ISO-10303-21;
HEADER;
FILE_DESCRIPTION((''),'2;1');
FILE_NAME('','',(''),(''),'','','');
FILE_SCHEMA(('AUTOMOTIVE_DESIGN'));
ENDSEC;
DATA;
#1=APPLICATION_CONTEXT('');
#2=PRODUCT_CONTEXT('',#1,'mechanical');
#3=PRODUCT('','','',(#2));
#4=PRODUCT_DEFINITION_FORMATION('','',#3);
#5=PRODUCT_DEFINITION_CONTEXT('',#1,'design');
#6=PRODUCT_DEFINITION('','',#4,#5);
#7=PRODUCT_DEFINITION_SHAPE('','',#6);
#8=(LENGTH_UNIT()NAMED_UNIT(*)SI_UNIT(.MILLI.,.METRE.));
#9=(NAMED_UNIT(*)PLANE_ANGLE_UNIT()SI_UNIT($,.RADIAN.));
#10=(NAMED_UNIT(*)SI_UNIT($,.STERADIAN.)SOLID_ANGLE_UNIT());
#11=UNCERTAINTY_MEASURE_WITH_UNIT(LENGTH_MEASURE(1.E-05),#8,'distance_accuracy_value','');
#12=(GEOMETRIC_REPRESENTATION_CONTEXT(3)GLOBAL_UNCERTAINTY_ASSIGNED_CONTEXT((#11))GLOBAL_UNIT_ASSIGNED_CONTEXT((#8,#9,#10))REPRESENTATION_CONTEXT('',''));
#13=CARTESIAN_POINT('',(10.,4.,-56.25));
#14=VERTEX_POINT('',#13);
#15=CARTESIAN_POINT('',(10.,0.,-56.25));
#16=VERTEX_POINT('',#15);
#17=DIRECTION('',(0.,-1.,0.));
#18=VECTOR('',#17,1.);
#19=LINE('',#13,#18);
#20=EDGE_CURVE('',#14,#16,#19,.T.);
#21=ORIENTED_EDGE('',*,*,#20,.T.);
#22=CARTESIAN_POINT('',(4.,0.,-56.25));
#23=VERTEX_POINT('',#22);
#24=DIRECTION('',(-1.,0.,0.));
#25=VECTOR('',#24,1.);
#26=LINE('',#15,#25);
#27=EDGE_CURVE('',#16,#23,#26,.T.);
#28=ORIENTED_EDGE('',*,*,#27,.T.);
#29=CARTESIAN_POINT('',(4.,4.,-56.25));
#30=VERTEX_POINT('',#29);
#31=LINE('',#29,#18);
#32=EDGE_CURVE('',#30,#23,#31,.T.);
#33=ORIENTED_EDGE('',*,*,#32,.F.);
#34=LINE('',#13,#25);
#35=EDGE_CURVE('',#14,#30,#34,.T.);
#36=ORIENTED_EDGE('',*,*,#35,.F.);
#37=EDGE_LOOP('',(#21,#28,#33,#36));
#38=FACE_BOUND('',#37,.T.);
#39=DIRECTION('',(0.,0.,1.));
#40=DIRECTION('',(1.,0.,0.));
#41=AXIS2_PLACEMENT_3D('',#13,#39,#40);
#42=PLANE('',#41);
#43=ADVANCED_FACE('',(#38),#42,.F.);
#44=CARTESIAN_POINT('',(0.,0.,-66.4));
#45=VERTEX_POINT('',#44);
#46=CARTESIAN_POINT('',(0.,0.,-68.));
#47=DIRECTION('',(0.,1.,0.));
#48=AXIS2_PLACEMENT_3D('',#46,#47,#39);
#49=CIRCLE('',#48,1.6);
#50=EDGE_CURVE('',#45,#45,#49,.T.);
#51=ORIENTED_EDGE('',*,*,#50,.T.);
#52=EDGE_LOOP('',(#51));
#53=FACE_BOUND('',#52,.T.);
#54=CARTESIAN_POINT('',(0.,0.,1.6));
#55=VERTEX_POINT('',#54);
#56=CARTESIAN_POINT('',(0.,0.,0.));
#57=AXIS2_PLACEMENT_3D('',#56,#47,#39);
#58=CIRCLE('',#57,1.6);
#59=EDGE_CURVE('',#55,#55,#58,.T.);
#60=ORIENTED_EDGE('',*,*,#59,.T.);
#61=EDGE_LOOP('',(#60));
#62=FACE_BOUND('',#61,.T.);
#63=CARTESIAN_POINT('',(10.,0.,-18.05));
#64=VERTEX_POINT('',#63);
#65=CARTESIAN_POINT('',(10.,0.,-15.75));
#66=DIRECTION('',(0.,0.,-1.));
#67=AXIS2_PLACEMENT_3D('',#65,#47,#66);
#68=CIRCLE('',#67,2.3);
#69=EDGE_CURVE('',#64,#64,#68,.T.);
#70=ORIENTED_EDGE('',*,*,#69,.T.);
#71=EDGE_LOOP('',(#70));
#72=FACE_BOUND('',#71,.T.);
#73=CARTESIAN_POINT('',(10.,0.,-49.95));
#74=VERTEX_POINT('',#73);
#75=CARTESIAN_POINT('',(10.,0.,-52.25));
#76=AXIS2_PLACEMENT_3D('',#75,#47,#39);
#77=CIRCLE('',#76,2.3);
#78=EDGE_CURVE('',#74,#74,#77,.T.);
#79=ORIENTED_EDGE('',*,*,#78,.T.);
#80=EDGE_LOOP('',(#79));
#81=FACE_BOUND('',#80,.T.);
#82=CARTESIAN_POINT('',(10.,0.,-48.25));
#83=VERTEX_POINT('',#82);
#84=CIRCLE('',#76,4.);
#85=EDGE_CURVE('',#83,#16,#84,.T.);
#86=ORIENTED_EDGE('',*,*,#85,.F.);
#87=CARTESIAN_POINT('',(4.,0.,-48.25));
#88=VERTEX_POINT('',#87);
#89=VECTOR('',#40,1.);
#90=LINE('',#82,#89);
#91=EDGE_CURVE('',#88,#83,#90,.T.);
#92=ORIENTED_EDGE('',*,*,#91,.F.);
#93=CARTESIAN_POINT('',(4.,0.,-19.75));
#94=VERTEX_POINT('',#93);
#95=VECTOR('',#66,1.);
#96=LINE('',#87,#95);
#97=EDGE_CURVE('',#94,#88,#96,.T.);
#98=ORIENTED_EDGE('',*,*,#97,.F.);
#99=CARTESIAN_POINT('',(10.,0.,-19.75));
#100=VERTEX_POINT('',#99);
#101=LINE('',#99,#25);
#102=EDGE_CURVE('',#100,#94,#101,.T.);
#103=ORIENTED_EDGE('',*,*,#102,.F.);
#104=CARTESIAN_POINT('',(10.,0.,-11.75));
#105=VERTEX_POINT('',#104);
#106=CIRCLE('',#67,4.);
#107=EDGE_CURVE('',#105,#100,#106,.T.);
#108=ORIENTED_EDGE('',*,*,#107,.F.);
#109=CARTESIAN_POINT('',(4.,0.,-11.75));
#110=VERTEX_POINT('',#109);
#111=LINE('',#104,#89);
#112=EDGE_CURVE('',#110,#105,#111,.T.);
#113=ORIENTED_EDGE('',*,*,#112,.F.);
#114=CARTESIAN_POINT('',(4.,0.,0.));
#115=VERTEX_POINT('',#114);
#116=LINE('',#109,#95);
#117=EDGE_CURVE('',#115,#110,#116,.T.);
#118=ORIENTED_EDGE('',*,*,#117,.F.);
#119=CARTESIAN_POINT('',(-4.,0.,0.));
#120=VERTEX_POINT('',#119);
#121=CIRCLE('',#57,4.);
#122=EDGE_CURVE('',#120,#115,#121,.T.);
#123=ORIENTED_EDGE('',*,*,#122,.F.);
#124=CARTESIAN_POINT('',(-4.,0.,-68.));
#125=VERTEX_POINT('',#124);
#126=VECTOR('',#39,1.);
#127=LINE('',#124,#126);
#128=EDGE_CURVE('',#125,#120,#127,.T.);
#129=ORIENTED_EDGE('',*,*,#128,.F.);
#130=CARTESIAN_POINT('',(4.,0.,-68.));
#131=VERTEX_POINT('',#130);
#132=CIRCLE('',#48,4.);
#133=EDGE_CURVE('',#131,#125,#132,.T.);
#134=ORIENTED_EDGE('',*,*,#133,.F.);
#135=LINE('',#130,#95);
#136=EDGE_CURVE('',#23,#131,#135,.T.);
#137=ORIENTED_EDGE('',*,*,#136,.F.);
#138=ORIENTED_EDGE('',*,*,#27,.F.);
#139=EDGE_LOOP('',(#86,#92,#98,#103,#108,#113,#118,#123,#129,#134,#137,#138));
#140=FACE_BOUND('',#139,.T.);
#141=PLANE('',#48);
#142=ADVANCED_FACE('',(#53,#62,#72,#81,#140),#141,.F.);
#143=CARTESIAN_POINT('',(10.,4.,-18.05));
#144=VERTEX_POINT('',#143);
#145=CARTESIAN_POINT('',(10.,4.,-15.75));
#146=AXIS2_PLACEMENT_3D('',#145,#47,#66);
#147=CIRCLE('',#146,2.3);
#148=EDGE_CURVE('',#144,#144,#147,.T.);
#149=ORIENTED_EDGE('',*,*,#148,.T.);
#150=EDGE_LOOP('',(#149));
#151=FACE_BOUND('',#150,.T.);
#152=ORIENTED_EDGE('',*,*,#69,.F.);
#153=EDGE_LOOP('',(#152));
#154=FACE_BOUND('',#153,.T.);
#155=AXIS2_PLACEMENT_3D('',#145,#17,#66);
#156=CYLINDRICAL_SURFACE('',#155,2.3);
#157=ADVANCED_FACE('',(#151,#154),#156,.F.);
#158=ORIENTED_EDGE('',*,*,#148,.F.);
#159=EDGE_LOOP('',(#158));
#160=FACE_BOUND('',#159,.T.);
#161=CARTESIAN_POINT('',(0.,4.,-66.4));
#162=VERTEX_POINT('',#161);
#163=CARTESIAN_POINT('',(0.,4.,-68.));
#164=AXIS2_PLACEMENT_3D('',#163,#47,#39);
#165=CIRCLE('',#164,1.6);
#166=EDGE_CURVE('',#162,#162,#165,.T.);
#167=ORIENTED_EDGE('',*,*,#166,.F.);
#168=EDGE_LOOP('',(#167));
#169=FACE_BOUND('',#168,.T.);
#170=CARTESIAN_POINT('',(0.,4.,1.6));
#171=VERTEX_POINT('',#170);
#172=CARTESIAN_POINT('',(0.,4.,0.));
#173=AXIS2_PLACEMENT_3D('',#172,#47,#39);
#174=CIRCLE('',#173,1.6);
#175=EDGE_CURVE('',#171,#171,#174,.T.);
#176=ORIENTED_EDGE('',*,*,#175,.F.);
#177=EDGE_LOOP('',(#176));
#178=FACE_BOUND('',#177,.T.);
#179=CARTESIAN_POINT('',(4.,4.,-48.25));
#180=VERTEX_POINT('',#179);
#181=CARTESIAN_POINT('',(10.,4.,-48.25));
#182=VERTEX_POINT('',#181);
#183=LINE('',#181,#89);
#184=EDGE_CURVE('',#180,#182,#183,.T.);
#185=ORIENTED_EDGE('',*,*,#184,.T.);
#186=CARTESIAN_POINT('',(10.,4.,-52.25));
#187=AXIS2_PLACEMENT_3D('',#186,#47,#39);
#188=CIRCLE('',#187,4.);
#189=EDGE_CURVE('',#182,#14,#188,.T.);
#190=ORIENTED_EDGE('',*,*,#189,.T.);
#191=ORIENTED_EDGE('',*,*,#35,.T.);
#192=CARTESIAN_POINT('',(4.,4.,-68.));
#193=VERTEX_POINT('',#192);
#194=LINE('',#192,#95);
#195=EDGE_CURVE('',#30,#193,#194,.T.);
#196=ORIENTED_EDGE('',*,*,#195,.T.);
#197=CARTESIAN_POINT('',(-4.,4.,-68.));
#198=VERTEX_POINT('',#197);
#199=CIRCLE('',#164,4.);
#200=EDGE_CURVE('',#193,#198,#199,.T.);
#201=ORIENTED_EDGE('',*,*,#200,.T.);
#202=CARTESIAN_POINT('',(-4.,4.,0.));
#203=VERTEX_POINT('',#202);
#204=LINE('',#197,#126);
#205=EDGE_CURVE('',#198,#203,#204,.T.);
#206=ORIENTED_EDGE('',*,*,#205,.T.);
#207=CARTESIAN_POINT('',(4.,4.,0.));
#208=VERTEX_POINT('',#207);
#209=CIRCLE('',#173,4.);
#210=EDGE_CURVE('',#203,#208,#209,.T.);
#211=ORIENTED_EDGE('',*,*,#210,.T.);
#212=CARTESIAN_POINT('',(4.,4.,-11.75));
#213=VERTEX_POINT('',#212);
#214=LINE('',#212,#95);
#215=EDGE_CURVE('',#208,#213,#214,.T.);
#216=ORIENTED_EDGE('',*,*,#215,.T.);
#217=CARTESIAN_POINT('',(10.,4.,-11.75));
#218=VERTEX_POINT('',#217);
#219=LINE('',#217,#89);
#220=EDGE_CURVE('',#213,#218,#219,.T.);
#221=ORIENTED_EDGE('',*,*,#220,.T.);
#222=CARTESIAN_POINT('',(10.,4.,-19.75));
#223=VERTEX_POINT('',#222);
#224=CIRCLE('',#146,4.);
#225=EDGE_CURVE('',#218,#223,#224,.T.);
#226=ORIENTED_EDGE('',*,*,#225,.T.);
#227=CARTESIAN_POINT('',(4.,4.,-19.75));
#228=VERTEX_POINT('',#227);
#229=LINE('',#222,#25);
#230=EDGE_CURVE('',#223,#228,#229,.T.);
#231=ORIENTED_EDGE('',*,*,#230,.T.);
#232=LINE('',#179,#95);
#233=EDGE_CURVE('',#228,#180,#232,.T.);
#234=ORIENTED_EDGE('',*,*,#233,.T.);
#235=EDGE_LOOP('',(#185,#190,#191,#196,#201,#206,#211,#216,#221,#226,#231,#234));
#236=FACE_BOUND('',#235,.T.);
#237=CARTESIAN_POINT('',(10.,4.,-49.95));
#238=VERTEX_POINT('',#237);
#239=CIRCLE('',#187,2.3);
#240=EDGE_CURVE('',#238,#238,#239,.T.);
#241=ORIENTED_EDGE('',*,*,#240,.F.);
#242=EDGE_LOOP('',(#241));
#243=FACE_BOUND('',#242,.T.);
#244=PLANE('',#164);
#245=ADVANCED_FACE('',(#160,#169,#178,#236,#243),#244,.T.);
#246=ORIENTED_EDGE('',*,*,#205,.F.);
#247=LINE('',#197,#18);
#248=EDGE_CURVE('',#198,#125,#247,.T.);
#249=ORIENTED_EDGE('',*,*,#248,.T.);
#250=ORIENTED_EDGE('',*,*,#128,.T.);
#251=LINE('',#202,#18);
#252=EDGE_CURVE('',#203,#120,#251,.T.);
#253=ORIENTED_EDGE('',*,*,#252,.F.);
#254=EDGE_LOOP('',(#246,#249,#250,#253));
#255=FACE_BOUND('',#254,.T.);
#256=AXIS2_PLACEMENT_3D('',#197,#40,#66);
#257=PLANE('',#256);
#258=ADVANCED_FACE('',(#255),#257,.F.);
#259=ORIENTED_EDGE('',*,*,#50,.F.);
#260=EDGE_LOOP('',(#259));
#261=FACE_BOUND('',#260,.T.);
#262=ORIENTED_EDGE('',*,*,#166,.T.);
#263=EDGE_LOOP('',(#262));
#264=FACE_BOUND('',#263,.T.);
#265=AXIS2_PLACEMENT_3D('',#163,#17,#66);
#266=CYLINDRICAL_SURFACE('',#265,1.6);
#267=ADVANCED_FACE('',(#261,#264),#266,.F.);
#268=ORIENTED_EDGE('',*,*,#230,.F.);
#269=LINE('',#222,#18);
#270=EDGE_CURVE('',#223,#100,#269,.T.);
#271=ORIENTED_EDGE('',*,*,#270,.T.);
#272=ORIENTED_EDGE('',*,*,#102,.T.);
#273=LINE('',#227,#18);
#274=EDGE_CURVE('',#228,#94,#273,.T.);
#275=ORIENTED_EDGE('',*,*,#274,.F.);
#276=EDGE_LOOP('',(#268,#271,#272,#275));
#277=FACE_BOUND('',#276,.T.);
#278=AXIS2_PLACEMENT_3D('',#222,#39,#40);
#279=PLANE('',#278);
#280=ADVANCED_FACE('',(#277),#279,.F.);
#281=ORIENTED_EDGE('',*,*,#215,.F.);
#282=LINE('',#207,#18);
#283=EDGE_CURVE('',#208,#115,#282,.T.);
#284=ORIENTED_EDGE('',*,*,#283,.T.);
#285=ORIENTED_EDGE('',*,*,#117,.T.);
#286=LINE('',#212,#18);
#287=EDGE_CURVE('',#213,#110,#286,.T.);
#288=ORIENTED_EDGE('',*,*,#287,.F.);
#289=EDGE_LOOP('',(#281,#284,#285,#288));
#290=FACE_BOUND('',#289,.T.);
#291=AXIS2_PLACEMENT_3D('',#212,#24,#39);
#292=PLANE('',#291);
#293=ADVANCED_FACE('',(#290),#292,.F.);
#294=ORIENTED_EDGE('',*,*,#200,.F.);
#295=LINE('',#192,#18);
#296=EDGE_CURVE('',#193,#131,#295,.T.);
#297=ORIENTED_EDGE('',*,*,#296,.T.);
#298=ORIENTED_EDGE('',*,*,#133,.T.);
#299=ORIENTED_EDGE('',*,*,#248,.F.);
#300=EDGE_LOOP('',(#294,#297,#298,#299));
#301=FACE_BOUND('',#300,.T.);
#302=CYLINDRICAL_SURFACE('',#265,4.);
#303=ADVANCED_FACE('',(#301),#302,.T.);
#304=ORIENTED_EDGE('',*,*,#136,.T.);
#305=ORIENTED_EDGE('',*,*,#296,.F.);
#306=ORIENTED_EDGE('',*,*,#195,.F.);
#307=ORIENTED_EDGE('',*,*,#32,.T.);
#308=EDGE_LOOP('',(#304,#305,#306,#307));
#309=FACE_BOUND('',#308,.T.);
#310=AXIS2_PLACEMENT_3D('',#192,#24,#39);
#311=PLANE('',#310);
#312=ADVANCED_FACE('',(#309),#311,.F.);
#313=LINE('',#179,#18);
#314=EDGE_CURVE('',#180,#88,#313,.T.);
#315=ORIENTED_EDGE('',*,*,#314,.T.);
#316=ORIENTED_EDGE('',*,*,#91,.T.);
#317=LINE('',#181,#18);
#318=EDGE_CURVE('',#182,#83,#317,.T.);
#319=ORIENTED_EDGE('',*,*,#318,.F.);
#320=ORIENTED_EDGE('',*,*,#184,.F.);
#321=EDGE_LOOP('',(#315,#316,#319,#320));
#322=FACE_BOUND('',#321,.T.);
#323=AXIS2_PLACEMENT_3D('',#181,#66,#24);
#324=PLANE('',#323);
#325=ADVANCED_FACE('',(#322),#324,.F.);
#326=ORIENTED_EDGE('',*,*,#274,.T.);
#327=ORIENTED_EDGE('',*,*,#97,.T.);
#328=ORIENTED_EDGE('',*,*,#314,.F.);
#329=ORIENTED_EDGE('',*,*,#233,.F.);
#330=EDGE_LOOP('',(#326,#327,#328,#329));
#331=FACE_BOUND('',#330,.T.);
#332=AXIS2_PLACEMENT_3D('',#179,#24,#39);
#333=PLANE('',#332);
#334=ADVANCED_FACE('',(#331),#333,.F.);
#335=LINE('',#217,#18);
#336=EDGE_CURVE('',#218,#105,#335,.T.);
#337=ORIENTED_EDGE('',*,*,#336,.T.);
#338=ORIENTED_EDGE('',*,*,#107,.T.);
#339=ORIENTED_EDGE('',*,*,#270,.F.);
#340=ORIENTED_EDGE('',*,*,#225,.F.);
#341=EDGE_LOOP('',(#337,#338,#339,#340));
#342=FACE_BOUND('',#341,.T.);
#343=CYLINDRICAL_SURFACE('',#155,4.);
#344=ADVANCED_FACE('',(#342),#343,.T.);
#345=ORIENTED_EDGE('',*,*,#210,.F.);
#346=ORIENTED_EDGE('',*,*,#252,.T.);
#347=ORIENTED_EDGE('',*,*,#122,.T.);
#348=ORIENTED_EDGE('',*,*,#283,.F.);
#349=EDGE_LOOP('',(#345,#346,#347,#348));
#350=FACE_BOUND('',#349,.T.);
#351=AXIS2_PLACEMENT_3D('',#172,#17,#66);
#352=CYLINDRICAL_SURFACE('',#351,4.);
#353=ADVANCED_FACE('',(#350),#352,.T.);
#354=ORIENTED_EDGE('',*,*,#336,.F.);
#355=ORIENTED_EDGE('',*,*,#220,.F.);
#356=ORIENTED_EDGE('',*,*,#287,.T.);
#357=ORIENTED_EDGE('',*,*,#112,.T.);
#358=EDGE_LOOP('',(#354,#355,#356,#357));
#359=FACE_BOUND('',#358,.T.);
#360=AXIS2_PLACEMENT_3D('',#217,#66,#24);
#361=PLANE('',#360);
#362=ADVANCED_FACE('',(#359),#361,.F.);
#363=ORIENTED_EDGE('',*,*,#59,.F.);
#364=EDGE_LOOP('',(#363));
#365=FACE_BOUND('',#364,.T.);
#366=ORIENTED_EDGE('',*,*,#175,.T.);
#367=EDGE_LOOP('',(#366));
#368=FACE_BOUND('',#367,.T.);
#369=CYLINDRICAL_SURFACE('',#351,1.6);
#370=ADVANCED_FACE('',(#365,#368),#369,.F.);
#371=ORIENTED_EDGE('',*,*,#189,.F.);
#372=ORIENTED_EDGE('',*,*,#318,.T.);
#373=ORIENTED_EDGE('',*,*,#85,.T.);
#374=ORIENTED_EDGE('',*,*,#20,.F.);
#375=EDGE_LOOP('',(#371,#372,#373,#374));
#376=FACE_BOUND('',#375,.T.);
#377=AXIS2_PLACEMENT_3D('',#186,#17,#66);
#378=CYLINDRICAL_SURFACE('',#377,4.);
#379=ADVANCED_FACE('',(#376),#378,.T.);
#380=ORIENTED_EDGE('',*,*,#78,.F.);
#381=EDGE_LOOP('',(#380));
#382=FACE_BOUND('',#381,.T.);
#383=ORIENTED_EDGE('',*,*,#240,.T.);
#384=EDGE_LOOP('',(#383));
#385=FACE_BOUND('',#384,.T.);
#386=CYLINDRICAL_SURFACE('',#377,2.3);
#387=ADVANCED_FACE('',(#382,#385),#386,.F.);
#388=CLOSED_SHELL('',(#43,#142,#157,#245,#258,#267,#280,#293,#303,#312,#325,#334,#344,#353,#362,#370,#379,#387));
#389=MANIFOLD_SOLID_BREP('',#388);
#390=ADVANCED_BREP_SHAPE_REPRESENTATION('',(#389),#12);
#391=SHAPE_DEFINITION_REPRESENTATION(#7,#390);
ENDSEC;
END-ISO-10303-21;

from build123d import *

# Parameters (mm, degrees)
SKETCH1_R           = 1.6
SKETCH1_R_2         = 2.3
BOSS_EXTRUDE1_DEPTH = 4


with BuildPart() as part:
    # Sketch1 → Boss-Extrude1 (new body)
    with BuildSketch(Plane(origin=(0, 0, 0), x_dir=(1, 0, 0), z_dir=(0, 1, 0))):
        with BuildLine():
            Line((-4, 68), (-4, 0))
            ThreePointArc((-4, 0), (0, -4), (4, 0))
            Line((4, 0), (4, 11.75))
            Line((4, 11.75), (10, 11.75))
            ThreePointArc((10, 11.75), (14, 15.75), (10, 19.75))
            Line((10, 19.75), (4, 19.75))
            Line((4, 19.75), (4, 48.25))
            Line((4, 48.25), (10, 48.25))
            ThreePointArc((10, 48.25), (14, 52.25), (10, 56.25))
            Line((10, 56.25), (4, 56.25))
            Line((4, 56.25), (4, 68))
            ThreePointArc((4, 68), (0, 72), (-4, 68))
        make_face()
        with Locations(Location((0, 68, 0), (0, 0, 270))):
            Circle(SKETCH1_R, mode=Mode.SUBTRACT)
        with Locations(Location((0, 0, 0), (0, 0, 270))):
            Circle(SKETCH1_R, mode=Mode.SUBTRACT)
        with Locations(Location((10, 52.25, 0), (0, 0, 270))):
            Circle(SKETCH1_R_2, mode=Mode.SUBTRACT)
        with Locations(Location((10, 15.75, 0), (0, 0, 90))):
            Circle(SKETCH1_R_2, mode=Mode.SUBTRACT)
    extrude(amount=BOSS_EXTRUDE1_DEPTH)


solid = part.part
